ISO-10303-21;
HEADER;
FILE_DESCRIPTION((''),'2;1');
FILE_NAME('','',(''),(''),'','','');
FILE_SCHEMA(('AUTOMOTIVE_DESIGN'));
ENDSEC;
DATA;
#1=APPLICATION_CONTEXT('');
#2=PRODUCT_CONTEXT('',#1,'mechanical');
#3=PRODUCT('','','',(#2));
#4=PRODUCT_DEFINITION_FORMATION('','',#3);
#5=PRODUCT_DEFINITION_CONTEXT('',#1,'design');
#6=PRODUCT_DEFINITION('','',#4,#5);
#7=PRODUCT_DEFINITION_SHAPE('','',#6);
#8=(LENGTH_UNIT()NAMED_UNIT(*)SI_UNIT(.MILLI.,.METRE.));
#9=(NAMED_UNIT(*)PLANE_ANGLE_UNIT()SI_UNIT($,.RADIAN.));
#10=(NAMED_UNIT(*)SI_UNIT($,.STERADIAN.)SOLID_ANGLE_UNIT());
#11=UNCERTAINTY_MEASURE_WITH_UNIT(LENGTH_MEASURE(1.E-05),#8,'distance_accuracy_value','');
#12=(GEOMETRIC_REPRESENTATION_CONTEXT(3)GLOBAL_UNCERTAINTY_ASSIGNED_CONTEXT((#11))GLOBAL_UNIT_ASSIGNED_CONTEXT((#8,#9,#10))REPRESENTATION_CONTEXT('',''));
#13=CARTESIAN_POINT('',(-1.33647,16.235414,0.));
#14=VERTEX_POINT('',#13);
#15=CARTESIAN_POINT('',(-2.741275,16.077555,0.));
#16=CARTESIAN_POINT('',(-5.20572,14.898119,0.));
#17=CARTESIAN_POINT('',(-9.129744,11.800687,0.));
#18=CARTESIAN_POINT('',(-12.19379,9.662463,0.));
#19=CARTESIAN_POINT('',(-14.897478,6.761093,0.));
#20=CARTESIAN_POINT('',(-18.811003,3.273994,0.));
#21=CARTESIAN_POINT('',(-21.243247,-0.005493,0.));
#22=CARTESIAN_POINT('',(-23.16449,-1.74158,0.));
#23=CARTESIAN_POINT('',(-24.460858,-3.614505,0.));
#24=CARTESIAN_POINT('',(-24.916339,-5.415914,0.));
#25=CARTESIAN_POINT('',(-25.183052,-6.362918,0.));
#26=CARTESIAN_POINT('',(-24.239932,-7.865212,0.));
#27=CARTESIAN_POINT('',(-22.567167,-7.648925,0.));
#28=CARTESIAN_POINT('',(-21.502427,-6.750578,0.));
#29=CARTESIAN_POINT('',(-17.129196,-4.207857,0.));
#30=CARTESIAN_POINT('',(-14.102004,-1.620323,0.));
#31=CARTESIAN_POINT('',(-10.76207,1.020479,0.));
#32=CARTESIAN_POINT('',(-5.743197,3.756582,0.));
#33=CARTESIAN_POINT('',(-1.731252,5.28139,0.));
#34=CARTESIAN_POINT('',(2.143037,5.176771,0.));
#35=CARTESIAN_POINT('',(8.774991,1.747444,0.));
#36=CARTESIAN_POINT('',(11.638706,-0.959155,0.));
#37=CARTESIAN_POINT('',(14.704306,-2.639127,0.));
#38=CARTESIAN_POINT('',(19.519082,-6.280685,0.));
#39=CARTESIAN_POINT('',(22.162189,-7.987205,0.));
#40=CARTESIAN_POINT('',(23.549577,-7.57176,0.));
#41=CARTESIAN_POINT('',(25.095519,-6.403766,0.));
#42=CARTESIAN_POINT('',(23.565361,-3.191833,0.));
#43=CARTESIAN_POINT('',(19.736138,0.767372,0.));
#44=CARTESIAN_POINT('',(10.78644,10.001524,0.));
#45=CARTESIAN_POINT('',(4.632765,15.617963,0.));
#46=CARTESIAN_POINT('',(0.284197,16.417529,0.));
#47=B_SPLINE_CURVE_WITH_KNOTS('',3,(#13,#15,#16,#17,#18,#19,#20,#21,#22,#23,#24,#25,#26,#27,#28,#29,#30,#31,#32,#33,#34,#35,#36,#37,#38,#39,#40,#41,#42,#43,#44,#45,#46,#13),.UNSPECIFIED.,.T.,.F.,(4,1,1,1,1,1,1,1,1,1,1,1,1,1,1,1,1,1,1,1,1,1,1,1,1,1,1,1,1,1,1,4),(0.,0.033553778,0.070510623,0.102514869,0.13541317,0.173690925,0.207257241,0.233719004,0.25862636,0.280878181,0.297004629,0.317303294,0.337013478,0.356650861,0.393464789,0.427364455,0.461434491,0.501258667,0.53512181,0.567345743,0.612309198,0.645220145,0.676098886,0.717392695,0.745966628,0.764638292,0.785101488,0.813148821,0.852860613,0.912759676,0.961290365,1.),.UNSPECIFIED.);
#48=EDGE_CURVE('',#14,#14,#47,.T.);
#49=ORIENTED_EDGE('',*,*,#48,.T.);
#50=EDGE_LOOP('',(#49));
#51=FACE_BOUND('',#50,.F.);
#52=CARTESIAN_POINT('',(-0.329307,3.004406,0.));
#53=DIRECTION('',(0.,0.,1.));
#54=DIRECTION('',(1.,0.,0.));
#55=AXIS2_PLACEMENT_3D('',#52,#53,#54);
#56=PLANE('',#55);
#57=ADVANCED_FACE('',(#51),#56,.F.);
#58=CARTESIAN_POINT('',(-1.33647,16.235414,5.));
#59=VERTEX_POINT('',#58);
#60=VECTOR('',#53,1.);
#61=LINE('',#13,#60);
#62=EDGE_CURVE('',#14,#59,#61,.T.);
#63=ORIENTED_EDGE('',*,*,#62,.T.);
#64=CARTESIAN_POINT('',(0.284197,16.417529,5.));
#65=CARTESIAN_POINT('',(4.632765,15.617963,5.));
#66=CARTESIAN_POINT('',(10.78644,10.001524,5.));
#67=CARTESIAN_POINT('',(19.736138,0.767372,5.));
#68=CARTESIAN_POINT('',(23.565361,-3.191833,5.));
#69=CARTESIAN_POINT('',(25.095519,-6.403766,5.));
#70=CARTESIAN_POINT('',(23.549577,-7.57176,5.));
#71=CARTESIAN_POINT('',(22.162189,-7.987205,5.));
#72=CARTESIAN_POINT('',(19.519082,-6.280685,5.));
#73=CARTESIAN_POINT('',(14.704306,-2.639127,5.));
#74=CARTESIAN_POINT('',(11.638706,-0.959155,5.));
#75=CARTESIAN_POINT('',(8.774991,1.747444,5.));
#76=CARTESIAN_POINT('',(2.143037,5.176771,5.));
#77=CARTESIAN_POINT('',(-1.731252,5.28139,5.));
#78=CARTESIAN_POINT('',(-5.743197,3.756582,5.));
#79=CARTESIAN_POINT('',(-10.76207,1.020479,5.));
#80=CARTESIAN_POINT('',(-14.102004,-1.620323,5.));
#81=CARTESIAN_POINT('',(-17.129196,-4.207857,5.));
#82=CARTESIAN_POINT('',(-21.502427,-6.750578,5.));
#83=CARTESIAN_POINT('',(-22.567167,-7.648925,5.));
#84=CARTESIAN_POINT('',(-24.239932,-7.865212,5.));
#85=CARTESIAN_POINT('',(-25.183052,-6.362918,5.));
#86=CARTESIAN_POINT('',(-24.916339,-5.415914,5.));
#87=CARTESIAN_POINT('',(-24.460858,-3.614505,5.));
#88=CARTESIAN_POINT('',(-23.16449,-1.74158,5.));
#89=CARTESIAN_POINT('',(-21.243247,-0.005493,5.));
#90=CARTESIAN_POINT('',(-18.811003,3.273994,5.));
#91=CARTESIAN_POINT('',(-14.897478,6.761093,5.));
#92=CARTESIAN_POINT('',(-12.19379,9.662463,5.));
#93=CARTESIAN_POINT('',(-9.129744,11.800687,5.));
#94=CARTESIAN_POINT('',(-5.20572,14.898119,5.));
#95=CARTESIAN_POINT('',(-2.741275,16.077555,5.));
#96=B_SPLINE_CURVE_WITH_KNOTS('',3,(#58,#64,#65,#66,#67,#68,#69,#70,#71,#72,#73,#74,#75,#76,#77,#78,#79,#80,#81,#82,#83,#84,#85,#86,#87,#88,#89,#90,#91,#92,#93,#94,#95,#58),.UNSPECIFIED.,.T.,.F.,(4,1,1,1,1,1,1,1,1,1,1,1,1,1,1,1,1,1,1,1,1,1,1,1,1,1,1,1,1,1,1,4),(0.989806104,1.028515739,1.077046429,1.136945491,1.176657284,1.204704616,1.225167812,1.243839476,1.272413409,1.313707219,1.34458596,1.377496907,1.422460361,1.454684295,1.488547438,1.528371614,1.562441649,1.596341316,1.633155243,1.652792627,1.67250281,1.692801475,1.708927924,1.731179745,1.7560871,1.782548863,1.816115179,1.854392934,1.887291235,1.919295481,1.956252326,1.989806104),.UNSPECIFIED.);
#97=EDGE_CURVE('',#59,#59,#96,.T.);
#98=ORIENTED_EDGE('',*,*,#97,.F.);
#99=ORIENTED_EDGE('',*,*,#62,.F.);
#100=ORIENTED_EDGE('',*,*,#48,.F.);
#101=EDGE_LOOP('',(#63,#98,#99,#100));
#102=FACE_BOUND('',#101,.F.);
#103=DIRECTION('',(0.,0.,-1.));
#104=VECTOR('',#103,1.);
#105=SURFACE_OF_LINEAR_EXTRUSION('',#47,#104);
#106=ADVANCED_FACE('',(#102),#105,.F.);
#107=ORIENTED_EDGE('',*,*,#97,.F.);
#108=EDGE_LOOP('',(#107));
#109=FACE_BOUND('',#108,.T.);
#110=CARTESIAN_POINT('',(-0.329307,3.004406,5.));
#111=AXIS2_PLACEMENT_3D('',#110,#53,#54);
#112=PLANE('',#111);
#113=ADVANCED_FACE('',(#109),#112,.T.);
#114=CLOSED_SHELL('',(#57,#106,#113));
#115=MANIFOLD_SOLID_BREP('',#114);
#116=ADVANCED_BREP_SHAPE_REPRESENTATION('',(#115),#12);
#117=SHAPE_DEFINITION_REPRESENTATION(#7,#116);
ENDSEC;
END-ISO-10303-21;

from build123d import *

# Parameters (mm, degrees)
F1_DEPTH = 5
F3_DEPTH = 3


with BuildPart() as f1:
    # F0 (on Top) → F1 (new body)
    with BuildSketch(Plane.XY):
        with BuildLine():
            add(Edge.make_bspline(
                [(-1.336469791, 16.2354136517), (-2.7412751322, 16.0775545964), (-5.2057202851, 14.8981194763), (-9.1297438896, 11.8006867475), (-12.1937896856, 9.6624625825), (-14.8974776041, 6.7610931934), (-18.8110032662, 3.2739941534), (-21.2432465658, -0.0054931615), (-23.1644899905, -1.7415804674), (-24.4608581648, -3.6145050384), (-24.9163386524, -5.415914183), (-25.1830516595, -6.3629181545), (-24.2399315528, -7.8652120391), (-22.567166704, -7.6489253481), (-21.502426746, -6.7505778845), (-17.1291956765, -4.2078566553), (-14.1020036583, -1.6203231532), (-10.7620696562, 1.020478901), (-5.7431966779, 3.7565815416), (-1.7312524402, 5.2813901803), (2.1430366611, 5.1767706359), (8.7749907984, 1.7474438445), (11.6387055894, -0.9591550626), (14.7043057481, -2.6391267474), (19.5190817935, -6.2806846428), (22.1621885879, -7.987204986), (23.5495769304, -7.5717595996), (25.0955186111, -6.4037663977), (23.565361254, -3.191833325), (19.736137608, 0.7673720697), (10.7864397391, 10.0015240686), (4.6327647587, 15.6179634032), (0.2841972334, 16.4175292503), (-1.336469791, 16.2354136517)],
                knots=[0, 0, 0, 0, 0.033553778, 0.0705106235, 0.1025148693, 0.1354131703, 0.1736909254, 0.2072572415, 0.2337190043, 0.2586263595, 0.2808781805, 0.2970046293, 0.3173032945, 0.3370134778, 0.3566508614, 0.3934647889, 0.427364455, 0.4614344906, 0.5012586666, 0.5351218097, 0.5673457435, 0.6123091979, 0.6452201446, 0.6760988857, 0.7173926952, 0.7459666284, 0.7646382921, 0.7851014884, 0.8131488206, 0.8528606134, 0.9127596757, 0.9612903653, 1, 1, 1, 1], degree=3))
        make_face()
    extrude(amount=F1_DEPTH)

    # F2 (on face) → F3 (cut)
    with BuildSketch(Plane.XY.offset(5)):
        with BuildLine():
            Line((0, 13.3596463219), (0, 14.1792520881))
            add(Edge.make_bspline(
                [(0, 13.3596463129), (-0.0613932628, 13.7163194162), (-0.2088611262, 14.0393318477), (0, 14.1792520881)],
                knots=[0.9732919439, 0.9732919439, 0.9732919439, 0.9732919439, 1, 1, 1, 1], degree=3))
        make_face()
        with BuildLine():
            add(Edge.make_bspline(
                [(0, 14.1792520881), (-0.4667885034, 14.4886568414), (-5.4315802302, 12.5704760408), (-9.4722483626, 10.3299428792), (-15.709929229, 5.0536692144), (-20.0851288015, 0.1248736748), (-23.4631810522, -2.8414300907), (-24.0101689898, -4.8102528851), (-24.194509111, -6.7230439533), (-21.9711822271, -6.6114519779), (-19.3450549277, -4.3405288154), (-14.6204059248, -1.1043376018), (-8.9339178907, 3.4112641503), (-6.0727326374, 4.6086265879), (-2.3008588278, 6.2642461503), (-0.1951803861, 5.9800908393), (0, 6.188093219)],
                knots=[0, 0, 0, 0, 0.0607558938, 0.1246000186, 0.2016612523, 0.2736400045, 0.3299054906, 0.3686779279, 0.4014929668, 0.4356288528, 0.4860478201, 0.5532694674, 0.6264311348, 0.6754113526, 0.7313673373, 0.7699162442, 0.7699162442, 0.7699162442, 0.7699162442], degree=3))
            Line((0, 14.1792520881), (0, 16.2682971241))
            add(Edge.make_bspline(
                [(0, 16.2682971241), (-0.4614701222, 16.2940980695), (-0.9096791339, 16.2833724457), (-1.336469791, 16.2354136517)],
                knots=[0.9898061044, 0.9898061044, 0.9898061044, 0.9898061044, 1, 1, 1, 1], degree=3))
            add(Edge.make_bspline(
                [(-1.336469791, 16.2354136517), (-2.7412751322, 16.0775545964), (-5.2057202851, 14.8981194763), (-9.1297438896, 11.8006867475), (-12.1937896856, 9.6624625825), (-14.8974776041, 6.7610931934), (-18.8110032662, 3.2739941534), (-21.2432465658, -0.0054931615), (-23.1644899905, -1.7415804674), (-24.4608581648, -3.6145050384), (-24.9163386524, -5.415914183), (-25.1830516595, -6.3629181545), (-24.2399315528, -7.8652120391), (-22.567166704, -7.6489253481), (-21.502426746, -6.7505778845), (-17.1291956765, -4.2078566553), (-14.1020036583, -1.6203231532), (-10.7620696562, 1.020478901), (-5.7431966779, 3.7565815416), (-2.3579325651, 5.0432095847), (-0.5923671704, 5.1867757165), (0, 5.1560964499)],
                knots=[0, 0, 0, 0, 0.033553778, 0.0705106235, 0.1025148693, 0.1354131703, 0.1736909254, 0.2072572415, 0.2337190043, 0.2586263595, 0.2808781805, 0.2970046293, 0.3173032945, 0.3370134778, 0.3566508614, 0.3934647889, 0.427364455, 0.4614344906, 0.5012586666, 0.5351218097, 0.5508020248, 0.5508020248, 0.5508020248, 0.5508020248], degree=3))
            Line((0, 5.1560964499), (0, 6.188093219))
        make_face()
    extrude(amount=F3_DEPTH, mode=Mode.SUBTRACT)


solid = f1.part
